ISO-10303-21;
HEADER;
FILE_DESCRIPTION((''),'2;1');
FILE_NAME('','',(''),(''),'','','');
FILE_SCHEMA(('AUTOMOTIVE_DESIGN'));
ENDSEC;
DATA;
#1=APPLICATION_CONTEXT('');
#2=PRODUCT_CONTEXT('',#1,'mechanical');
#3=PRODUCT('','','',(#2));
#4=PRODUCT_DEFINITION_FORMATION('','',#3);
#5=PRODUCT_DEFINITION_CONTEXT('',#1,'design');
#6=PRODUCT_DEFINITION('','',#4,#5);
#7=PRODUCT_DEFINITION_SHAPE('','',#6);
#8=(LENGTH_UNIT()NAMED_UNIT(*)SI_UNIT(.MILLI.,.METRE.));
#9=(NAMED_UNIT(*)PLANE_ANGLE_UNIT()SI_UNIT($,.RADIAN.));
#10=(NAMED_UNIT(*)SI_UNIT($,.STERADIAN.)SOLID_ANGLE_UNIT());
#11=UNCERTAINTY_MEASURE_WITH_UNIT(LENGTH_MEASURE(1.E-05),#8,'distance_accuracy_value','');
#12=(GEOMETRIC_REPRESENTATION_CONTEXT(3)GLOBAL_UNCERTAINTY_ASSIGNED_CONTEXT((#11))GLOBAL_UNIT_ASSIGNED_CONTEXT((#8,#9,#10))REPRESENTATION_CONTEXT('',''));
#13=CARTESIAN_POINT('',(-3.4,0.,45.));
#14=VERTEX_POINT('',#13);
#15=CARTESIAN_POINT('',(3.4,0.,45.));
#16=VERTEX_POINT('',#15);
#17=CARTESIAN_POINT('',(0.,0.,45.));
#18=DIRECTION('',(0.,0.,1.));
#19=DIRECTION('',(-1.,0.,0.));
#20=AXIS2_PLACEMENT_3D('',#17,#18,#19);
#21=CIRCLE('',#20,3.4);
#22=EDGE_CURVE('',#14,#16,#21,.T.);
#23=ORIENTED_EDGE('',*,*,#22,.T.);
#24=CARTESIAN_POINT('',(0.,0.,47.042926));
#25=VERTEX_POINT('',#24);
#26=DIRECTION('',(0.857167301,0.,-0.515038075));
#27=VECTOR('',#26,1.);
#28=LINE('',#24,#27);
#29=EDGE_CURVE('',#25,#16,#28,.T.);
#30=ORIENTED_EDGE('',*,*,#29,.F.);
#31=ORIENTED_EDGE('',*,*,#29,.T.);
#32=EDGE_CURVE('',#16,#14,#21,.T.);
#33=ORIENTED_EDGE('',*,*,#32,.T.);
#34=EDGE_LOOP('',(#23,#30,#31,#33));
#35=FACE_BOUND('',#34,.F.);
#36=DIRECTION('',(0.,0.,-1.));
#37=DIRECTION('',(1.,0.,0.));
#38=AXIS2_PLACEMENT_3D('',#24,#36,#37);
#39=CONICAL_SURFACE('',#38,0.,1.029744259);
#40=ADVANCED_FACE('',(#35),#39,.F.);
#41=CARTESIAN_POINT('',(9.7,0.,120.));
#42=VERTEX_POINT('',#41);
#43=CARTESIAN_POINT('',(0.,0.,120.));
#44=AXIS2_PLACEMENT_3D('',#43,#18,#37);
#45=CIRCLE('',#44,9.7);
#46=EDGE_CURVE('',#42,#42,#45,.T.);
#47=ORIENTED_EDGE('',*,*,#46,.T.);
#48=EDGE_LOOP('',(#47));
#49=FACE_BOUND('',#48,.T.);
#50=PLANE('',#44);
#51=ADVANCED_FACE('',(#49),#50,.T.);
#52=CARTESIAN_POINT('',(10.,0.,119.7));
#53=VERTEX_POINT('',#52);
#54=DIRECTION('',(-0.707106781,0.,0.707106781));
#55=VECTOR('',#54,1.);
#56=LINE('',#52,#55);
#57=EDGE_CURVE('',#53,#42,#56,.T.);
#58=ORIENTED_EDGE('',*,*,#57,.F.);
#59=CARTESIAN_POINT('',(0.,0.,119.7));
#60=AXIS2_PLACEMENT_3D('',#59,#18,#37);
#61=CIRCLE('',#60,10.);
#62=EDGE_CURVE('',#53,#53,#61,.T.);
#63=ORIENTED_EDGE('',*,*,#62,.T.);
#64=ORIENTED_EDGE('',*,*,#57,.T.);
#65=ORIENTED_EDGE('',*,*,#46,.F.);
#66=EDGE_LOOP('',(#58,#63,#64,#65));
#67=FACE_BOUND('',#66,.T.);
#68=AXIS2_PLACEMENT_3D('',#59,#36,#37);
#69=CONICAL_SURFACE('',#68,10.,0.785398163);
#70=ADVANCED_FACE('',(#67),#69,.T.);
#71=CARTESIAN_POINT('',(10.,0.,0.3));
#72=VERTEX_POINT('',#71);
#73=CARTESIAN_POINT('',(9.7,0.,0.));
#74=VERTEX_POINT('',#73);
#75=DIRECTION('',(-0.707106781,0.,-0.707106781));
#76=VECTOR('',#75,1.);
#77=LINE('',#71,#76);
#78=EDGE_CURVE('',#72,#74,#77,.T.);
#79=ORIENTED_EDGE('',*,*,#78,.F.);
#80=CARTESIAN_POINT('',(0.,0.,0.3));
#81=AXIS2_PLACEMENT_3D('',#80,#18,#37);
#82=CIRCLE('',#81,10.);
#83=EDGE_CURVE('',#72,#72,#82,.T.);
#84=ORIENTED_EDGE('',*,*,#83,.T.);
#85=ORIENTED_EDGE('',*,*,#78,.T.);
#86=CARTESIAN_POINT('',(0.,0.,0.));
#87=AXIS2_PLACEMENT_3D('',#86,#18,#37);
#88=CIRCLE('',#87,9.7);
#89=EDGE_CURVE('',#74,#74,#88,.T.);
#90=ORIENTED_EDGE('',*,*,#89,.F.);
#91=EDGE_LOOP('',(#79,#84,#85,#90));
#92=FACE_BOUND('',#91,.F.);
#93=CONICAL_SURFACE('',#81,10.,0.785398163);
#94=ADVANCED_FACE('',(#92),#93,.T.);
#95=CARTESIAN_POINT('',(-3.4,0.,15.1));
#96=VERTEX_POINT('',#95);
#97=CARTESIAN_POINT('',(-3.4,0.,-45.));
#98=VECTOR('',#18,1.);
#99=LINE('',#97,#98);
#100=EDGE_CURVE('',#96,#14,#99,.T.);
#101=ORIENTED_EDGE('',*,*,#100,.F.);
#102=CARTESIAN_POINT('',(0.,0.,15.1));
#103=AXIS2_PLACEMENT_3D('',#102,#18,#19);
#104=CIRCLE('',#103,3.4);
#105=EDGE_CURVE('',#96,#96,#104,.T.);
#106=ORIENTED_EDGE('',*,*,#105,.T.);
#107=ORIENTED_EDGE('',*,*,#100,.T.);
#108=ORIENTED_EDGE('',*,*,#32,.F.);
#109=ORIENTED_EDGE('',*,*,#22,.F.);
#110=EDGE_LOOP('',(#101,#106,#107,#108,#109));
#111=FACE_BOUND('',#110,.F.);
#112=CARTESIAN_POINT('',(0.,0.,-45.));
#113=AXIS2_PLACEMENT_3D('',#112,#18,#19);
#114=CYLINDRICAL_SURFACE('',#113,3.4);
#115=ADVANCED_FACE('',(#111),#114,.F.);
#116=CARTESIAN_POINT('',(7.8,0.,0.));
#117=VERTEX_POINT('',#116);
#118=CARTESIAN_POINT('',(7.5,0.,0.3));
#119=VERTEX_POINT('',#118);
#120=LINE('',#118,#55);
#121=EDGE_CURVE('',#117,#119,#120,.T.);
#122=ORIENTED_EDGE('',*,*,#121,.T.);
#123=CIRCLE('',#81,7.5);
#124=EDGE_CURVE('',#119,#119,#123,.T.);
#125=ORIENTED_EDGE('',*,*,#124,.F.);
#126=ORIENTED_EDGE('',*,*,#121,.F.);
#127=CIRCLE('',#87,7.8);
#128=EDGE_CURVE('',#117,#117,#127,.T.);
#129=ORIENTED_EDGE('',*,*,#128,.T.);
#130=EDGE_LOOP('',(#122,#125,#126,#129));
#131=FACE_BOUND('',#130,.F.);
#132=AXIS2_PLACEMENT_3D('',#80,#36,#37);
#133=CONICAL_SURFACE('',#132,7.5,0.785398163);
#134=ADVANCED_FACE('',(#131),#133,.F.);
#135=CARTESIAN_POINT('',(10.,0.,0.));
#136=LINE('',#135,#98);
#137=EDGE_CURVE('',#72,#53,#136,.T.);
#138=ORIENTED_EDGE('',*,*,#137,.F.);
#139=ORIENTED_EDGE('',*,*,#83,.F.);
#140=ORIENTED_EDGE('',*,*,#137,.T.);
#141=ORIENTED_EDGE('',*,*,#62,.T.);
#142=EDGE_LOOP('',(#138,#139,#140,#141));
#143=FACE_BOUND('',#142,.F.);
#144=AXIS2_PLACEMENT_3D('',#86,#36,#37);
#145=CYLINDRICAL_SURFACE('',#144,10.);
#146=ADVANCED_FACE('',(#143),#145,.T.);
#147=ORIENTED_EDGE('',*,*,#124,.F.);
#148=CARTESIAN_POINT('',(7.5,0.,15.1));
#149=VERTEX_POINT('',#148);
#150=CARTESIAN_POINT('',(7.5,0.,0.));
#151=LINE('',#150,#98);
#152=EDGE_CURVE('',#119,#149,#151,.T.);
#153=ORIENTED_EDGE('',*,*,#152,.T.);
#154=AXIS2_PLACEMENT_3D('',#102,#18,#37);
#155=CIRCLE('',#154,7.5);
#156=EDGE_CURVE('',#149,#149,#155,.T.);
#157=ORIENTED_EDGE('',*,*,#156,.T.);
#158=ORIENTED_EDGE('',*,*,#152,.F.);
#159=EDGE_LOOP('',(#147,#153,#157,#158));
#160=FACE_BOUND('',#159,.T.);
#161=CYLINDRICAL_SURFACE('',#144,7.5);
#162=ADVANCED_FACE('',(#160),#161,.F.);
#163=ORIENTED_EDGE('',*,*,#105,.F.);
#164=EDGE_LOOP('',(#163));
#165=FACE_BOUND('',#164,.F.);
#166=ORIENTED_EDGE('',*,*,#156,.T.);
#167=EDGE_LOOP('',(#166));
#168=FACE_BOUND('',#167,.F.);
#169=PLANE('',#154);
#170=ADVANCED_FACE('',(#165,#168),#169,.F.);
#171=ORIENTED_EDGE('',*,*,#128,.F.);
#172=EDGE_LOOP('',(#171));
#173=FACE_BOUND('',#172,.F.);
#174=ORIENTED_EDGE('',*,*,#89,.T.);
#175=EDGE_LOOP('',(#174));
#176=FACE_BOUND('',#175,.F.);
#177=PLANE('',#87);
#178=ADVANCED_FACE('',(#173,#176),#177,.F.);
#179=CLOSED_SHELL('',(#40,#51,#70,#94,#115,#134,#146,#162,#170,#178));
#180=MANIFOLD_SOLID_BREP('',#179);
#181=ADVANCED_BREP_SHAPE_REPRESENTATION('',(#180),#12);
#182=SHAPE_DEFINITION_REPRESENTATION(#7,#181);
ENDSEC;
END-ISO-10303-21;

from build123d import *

# Parameters (mm, degrees)
F0_R     = 10
F0_R_2   = 7.5
F1_DEPTH = 120
F2_DEPTH = 15.1
F3_D     = 6.8
F3_DEPTH = 45
F3_TIP   = 2.0429261047
F4_SIZE  = 0.3


with BuildPart() as f1:
    # F0 (on Top) → F1 (new body)
    with BuildSketch(Plane.XY):
        Circle(F0_R)
        Circle(F0_R_2, mode=Mode.SUBTRACT)
        Circle(F0_R_2)
    extrude(amount=F1_DEPTH)

    # F0 (on Top) → F2 (cut)
    with BuildSketch(Plane.XY):
        Circle(F0_R_2)
    extrude(amount=F2_DEPTH, mode=Mode.SUBTRACT)

    # F3
    with Locations(Plane(origin=(0, 0, 0), x_dir=(1, 0, 0), z_dir=(0, 0, -1))):
        with Locations((0, 0)):
            Hole(F3_D / 2, depth=F3_DEPTH)
            with Locations((0, 0, -(F3_DEPTH + F3_TIP / 2))):  # 118° drill point
                Cone(0, F3_D / 2, F3_TIP, mode=Mode.SUBTRACT)

    # F4
    f4_edges = [f1.edges().sort_by_distance(p)[0] for p in [
        (-10, 0, 120),
        (-7.5, 0, 0),
        (-10, 0, 0),
    ]]
    chamfer(f4_edges, length=F4_SIZE)


solid = f1.part
